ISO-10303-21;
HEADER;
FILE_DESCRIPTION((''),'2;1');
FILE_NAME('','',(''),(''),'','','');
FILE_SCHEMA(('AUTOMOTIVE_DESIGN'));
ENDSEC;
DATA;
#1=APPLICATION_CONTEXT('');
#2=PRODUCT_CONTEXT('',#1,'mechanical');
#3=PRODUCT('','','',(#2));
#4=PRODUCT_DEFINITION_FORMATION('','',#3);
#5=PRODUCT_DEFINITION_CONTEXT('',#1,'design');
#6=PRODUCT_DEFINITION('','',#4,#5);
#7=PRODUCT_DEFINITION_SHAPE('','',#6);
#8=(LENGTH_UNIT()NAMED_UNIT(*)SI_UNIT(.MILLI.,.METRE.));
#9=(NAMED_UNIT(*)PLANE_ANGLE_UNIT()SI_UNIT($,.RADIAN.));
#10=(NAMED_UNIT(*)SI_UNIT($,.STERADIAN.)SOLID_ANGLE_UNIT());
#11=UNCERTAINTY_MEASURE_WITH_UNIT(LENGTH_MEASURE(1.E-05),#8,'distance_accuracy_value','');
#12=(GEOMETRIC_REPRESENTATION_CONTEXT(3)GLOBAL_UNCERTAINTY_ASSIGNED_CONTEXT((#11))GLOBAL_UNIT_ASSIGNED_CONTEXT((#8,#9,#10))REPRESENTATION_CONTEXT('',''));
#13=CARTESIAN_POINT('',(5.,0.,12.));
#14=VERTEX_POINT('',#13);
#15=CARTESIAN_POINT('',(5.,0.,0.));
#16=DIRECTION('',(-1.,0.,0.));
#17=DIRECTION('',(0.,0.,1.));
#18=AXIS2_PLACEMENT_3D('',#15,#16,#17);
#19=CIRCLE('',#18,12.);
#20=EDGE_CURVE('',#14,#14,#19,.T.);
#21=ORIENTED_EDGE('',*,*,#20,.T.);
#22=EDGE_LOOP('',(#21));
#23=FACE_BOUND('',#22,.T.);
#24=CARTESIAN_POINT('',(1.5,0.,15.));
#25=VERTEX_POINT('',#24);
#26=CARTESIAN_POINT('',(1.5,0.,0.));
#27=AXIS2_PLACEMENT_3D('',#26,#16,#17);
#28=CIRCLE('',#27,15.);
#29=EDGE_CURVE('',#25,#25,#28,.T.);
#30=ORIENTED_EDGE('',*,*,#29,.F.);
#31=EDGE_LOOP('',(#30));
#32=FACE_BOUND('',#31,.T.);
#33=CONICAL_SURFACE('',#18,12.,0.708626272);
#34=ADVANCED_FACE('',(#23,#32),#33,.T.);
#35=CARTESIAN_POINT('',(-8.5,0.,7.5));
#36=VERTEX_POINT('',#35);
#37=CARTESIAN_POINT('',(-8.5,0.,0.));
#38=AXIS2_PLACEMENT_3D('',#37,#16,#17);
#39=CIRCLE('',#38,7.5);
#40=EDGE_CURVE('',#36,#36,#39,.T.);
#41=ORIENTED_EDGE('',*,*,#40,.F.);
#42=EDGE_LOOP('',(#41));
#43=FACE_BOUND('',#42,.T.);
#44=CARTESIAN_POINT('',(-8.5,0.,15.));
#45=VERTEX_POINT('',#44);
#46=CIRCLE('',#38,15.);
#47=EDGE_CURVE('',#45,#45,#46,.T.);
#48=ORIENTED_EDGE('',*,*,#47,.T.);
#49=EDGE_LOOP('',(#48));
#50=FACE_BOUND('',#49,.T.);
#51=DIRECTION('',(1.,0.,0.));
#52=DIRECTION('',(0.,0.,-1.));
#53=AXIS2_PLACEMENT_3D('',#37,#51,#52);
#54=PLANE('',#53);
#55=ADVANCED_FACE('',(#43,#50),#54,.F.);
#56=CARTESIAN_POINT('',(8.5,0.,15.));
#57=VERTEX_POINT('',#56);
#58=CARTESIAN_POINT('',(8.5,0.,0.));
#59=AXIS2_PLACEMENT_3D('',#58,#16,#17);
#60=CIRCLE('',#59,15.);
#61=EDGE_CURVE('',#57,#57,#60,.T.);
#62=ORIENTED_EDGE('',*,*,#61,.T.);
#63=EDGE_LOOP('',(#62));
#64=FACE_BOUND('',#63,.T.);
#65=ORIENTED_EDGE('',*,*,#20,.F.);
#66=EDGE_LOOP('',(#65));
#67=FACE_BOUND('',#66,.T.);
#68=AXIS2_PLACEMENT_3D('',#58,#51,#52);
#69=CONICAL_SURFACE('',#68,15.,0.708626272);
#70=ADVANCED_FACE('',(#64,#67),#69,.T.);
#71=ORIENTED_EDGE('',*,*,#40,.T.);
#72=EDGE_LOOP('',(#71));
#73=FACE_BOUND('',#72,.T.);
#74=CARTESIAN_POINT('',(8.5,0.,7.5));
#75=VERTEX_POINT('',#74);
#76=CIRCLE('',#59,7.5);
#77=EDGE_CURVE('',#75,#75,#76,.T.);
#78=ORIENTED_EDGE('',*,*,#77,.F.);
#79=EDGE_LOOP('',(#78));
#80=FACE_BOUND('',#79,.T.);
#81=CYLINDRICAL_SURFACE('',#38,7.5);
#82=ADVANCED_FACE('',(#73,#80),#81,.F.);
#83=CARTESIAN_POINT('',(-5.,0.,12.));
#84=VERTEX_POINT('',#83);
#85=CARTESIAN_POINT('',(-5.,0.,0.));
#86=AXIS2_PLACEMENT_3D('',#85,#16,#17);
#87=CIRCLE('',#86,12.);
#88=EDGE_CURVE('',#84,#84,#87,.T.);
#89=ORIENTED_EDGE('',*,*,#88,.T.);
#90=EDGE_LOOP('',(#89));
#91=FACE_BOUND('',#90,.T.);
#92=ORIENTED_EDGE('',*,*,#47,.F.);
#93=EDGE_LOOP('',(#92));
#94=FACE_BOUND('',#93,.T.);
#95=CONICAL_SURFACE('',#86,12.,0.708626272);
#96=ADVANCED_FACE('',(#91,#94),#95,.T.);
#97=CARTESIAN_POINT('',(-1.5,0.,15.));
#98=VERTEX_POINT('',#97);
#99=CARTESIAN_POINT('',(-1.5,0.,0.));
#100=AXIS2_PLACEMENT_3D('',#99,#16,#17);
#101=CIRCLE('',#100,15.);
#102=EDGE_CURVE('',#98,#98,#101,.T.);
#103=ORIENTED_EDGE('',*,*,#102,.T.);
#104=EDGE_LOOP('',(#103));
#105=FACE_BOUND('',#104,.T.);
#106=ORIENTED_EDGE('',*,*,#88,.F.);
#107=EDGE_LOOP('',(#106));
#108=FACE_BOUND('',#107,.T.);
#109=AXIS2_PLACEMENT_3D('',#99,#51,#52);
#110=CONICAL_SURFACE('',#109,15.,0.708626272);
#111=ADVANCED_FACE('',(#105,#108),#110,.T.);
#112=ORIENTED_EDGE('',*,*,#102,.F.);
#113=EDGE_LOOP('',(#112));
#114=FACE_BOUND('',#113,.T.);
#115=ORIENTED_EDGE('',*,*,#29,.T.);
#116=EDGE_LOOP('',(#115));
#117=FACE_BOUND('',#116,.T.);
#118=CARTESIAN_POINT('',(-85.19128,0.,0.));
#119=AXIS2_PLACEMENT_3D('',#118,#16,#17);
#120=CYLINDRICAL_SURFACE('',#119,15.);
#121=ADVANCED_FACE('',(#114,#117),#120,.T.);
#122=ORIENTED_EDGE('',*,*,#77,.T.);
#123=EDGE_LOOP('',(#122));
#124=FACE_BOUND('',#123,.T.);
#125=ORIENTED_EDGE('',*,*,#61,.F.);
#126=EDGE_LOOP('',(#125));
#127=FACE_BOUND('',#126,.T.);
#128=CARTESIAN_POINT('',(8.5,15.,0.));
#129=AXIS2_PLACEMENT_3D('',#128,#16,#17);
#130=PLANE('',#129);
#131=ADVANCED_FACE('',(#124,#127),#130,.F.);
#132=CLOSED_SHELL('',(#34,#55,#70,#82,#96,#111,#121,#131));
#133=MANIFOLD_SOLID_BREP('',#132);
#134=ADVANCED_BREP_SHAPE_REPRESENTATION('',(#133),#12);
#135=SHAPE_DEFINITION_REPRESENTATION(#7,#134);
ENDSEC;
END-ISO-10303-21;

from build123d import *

# Parameters (mm, degrees)
F_15_0_15_DURCHMESSER_BOHRUNG2_D = 15


with BuildPart() as part:
    # Skizze1 → Rotation1 (revolve)
    with BuildSketch(Plane.XY, mode=Mode.PRIVATE) as rotation1_sk:
        Polygon((-8.5, 0), (-8.5, 15), (-5, 12), (-1.5, 15), (1.5, 15), (5, 12), (8.5, 15), (8.5, 0), align=None)
    revolve(rotation1_sk.sketch.rotate(Axis((-85.191280049, 0, 0), (1, 0, 0)), 90), axis=Axis((-85.191280049, 0, 0), (1, 0, 0)))

    # Ø15.0 (15) Durchmesser Bohrung2 (through all)
    with Locations(Plane.ZY.offset(8.5)):
        with Locations((0, 0)):
            Hole(F_15_0_15_DURCHMESSER_BOHRUNG2_D / 2)


solid = part.part
